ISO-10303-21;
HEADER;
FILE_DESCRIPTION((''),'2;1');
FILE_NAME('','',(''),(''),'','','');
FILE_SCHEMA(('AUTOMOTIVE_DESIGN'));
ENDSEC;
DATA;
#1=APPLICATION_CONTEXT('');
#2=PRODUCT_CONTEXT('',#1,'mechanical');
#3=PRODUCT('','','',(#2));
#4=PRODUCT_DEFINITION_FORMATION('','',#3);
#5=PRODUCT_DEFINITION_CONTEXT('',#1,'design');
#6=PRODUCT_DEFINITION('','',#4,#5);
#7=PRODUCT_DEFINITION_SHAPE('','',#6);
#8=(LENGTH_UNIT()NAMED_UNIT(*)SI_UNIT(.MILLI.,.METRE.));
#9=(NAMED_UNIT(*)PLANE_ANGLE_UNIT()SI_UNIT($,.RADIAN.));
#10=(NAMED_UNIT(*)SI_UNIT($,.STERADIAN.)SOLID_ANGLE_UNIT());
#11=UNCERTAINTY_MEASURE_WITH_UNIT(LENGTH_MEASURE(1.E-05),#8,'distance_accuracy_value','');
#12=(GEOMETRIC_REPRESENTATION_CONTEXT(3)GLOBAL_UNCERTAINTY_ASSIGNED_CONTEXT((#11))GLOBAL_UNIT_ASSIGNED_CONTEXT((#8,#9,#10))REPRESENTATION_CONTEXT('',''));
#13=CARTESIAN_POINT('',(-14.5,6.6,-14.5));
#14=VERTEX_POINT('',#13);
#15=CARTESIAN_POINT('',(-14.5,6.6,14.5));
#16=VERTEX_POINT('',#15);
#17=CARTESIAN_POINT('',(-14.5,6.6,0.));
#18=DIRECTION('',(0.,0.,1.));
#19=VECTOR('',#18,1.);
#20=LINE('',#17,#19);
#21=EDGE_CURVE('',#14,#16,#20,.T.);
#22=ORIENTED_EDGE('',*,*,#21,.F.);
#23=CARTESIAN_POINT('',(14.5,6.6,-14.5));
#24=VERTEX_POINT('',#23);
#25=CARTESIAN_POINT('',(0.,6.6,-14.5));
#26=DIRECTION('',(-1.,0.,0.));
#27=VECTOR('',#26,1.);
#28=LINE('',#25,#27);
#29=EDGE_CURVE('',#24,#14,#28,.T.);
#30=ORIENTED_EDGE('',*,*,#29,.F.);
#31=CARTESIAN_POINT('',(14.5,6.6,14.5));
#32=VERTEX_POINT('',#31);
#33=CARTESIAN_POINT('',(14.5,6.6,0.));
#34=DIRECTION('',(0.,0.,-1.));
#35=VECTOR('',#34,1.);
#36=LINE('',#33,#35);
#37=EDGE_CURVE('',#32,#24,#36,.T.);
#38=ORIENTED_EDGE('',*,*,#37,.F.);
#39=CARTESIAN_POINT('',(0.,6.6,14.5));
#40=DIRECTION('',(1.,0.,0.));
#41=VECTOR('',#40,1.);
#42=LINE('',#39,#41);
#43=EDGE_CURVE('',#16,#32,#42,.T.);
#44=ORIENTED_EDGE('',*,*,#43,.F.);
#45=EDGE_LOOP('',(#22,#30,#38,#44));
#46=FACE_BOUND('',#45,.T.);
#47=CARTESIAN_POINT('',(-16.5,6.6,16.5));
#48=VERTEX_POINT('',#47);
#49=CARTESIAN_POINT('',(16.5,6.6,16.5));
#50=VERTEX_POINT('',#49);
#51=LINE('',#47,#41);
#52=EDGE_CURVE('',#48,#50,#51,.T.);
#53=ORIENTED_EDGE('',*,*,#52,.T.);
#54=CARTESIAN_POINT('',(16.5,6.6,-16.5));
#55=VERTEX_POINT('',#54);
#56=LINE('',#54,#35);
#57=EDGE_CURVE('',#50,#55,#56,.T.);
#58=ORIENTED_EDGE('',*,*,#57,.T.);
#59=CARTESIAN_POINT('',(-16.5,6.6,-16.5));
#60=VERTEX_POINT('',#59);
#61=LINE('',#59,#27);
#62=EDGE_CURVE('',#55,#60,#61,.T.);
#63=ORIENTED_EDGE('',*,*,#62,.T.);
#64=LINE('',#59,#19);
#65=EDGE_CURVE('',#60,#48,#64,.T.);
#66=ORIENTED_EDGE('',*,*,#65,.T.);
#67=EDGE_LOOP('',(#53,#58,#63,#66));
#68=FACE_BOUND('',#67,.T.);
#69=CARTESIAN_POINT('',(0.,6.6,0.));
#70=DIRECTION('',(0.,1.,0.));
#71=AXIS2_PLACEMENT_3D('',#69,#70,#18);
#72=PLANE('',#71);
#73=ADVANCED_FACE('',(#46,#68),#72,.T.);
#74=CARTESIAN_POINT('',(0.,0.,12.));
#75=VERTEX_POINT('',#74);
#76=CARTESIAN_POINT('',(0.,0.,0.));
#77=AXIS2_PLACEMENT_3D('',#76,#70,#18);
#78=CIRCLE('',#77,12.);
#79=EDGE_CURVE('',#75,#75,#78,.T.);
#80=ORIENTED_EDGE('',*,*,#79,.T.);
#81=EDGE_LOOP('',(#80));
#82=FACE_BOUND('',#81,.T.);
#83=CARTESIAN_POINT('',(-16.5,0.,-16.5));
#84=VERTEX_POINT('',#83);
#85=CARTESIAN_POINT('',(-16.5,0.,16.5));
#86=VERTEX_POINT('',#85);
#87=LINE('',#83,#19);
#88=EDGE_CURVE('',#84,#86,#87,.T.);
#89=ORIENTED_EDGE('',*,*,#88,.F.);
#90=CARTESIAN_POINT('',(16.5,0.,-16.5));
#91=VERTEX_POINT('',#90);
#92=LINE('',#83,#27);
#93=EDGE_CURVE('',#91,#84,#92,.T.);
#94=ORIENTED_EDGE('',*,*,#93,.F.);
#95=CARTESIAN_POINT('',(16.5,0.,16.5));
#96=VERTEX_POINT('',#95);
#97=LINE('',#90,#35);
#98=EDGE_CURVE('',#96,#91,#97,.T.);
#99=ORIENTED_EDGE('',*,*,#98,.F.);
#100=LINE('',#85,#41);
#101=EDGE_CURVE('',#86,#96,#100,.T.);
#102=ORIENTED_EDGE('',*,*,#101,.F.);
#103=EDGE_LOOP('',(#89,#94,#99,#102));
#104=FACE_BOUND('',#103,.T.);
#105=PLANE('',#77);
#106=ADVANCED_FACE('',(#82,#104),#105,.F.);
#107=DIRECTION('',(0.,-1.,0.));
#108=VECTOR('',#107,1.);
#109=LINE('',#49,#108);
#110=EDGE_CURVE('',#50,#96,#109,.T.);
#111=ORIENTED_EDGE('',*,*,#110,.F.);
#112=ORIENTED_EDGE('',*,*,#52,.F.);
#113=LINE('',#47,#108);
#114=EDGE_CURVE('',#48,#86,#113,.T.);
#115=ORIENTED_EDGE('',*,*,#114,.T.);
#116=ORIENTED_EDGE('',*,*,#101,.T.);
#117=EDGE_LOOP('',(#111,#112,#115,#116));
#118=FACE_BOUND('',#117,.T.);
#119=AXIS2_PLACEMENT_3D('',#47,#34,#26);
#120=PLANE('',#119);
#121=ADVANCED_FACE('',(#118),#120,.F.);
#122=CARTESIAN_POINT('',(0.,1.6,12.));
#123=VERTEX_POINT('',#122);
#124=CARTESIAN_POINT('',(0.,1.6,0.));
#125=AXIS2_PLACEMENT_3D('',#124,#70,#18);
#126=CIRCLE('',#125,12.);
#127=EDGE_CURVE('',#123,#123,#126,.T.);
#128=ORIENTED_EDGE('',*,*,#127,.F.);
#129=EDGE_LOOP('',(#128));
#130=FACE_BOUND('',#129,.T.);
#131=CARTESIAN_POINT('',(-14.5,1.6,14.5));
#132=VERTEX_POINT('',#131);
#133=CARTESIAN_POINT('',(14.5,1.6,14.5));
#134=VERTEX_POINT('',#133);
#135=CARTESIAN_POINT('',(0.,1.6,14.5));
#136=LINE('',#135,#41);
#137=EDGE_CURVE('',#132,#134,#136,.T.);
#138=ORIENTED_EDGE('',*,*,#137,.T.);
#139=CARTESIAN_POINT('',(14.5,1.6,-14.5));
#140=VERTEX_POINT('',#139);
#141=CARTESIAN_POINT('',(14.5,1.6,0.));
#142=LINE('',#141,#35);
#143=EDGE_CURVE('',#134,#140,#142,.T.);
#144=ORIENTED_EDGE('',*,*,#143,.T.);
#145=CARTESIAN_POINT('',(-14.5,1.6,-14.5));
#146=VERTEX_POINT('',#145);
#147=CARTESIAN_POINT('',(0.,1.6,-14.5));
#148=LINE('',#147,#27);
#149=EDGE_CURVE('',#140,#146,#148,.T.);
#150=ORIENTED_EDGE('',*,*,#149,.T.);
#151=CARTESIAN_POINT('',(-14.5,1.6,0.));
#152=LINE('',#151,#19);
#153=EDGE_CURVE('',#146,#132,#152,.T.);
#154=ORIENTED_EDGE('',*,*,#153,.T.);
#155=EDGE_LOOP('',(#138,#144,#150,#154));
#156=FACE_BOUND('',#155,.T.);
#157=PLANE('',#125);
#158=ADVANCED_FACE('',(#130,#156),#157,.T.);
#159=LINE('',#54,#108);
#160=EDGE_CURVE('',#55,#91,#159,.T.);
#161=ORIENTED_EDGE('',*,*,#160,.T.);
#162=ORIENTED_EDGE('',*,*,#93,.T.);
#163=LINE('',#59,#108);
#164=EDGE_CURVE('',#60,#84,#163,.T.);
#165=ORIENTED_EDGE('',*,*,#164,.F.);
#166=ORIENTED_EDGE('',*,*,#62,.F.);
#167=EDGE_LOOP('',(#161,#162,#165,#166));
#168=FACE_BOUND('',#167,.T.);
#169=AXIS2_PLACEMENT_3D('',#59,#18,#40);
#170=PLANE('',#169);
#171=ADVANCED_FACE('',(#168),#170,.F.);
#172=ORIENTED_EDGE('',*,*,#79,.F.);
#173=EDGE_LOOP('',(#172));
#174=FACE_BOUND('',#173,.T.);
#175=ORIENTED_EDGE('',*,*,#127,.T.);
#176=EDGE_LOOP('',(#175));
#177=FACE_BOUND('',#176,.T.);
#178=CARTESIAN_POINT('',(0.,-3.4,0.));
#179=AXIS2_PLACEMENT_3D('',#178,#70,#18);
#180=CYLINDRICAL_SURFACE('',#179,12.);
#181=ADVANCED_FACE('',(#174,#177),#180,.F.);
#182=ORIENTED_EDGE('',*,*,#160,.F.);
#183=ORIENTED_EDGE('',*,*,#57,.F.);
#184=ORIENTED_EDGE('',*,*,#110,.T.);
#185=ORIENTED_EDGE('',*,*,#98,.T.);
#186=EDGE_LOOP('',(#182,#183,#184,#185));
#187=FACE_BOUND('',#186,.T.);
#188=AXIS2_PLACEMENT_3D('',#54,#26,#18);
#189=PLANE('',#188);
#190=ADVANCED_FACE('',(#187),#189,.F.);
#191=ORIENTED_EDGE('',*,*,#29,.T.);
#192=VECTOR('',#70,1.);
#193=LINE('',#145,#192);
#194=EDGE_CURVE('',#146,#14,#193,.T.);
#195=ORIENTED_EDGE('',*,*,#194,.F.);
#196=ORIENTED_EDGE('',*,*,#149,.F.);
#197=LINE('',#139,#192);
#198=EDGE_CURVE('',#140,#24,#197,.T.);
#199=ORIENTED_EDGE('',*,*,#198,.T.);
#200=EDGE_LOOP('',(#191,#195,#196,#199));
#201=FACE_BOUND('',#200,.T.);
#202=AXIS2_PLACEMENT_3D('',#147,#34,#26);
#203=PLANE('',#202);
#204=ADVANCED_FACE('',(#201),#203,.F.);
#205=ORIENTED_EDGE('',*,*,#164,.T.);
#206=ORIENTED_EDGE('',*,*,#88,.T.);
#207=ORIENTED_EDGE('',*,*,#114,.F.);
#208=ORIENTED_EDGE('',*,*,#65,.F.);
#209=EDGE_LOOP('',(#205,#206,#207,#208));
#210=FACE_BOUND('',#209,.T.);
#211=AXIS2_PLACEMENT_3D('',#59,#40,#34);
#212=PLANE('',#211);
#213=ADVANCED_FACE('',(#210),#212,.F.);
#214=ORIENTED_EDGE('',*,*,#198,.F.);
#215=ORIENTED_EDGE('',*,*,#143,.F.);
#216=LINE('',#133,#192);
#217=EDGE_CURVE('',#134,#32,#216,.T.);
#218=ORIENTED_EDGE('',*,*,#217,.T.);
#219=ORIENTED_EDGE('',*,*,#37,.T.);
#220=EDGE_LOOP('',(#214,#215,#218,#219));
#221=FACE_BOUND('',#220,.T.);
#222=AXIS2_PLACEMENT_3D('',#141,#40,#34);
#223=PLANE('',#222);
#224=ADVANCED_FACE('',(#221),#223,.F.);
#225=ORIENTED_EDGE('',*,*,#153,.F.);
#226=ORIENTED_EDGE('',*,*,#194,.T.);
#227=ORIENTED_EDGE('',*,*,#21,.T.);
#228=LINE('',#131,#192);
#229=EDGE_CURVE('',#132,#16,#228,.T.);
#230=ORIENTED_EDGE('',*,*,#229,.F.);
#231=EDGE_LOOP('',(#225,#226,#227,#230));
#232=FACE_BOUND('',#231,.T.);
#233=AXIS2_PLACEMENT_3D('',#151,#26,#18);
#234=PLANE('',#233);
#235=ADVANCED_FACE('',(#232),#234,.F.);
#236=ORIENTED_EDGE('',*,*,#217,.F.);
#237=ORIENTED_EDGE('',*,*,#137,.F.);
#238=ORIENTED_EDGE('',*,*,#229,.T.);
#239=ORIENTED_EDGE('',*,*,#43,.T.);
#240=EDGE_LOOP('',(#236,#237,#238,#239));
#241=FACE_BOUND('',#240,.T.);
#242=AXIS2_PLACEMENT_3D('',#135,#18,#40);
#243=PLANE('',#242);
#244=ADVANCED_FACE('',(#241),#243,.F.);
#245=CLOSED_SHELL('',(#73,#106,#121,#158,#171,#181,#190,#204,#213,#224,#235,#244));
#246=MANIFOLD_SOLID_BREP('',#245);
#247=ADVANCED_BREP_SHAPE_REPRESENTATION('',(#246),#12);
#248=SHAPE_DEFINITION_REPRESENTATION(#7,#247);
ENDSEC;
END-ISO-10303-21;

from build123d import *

# Parameters (mm, degrees)
CROQUIS1_W              = 33
CROQUIS1_H              = 33
SALIENTE_EXTRUIR1_DEPTH = 6.6
CROQUIS2_W              = 29
CROQUIS2_H              = 29
CORTAR_EXTRUIR1_DEPTH   = 5
CROQUIS3_R              = 12
CORTAR_EXTRUIR2_DEPTH   = 5


with BuildPart() as part:
    # Croquis1 → Saliente-Extruir1 (new body)
    with BuildSketch(Plane(origin=(0, 0, 0), x_dir=(1, 0, 0), z_dir=(0, 1, 0))):
        Rectangle(CROQUIS1_W, CROQUIS1_H)
    extrude(amount=SALIENTE_EXTRUIR1_DEPTH)

    # Croquis2 → Cortar-Extruir1 (cut)
    with BuildSketch(Plane(origin=(0, 6.6, 0), x_dir=(1, 0, 0), z_dir=(0, 1, 0))):
        Rectangle(CROQUIS2_W, CROQUIS2_H)
    extrude(amount=-CORTAR_EXTRUIR1_DEPTH, mode=Mode.SUBTRACT)

    # Croquis3 → Cortar-Extruir2 (cut)
    with BuildSketch(Plane(origin=(0, 1.6, 0), x_dir=(1, 0, 0), z_dir=(0, 1, 0))):
        with Locations(Location((0, 0, 0), (0, 0, 270))):
            Circle(CROQUIS3_R)
    extrude(amount=-CORTAR_EXTRUIR2_DEPTH, mode=Mode.SUBTRACT)


solid = part.part
